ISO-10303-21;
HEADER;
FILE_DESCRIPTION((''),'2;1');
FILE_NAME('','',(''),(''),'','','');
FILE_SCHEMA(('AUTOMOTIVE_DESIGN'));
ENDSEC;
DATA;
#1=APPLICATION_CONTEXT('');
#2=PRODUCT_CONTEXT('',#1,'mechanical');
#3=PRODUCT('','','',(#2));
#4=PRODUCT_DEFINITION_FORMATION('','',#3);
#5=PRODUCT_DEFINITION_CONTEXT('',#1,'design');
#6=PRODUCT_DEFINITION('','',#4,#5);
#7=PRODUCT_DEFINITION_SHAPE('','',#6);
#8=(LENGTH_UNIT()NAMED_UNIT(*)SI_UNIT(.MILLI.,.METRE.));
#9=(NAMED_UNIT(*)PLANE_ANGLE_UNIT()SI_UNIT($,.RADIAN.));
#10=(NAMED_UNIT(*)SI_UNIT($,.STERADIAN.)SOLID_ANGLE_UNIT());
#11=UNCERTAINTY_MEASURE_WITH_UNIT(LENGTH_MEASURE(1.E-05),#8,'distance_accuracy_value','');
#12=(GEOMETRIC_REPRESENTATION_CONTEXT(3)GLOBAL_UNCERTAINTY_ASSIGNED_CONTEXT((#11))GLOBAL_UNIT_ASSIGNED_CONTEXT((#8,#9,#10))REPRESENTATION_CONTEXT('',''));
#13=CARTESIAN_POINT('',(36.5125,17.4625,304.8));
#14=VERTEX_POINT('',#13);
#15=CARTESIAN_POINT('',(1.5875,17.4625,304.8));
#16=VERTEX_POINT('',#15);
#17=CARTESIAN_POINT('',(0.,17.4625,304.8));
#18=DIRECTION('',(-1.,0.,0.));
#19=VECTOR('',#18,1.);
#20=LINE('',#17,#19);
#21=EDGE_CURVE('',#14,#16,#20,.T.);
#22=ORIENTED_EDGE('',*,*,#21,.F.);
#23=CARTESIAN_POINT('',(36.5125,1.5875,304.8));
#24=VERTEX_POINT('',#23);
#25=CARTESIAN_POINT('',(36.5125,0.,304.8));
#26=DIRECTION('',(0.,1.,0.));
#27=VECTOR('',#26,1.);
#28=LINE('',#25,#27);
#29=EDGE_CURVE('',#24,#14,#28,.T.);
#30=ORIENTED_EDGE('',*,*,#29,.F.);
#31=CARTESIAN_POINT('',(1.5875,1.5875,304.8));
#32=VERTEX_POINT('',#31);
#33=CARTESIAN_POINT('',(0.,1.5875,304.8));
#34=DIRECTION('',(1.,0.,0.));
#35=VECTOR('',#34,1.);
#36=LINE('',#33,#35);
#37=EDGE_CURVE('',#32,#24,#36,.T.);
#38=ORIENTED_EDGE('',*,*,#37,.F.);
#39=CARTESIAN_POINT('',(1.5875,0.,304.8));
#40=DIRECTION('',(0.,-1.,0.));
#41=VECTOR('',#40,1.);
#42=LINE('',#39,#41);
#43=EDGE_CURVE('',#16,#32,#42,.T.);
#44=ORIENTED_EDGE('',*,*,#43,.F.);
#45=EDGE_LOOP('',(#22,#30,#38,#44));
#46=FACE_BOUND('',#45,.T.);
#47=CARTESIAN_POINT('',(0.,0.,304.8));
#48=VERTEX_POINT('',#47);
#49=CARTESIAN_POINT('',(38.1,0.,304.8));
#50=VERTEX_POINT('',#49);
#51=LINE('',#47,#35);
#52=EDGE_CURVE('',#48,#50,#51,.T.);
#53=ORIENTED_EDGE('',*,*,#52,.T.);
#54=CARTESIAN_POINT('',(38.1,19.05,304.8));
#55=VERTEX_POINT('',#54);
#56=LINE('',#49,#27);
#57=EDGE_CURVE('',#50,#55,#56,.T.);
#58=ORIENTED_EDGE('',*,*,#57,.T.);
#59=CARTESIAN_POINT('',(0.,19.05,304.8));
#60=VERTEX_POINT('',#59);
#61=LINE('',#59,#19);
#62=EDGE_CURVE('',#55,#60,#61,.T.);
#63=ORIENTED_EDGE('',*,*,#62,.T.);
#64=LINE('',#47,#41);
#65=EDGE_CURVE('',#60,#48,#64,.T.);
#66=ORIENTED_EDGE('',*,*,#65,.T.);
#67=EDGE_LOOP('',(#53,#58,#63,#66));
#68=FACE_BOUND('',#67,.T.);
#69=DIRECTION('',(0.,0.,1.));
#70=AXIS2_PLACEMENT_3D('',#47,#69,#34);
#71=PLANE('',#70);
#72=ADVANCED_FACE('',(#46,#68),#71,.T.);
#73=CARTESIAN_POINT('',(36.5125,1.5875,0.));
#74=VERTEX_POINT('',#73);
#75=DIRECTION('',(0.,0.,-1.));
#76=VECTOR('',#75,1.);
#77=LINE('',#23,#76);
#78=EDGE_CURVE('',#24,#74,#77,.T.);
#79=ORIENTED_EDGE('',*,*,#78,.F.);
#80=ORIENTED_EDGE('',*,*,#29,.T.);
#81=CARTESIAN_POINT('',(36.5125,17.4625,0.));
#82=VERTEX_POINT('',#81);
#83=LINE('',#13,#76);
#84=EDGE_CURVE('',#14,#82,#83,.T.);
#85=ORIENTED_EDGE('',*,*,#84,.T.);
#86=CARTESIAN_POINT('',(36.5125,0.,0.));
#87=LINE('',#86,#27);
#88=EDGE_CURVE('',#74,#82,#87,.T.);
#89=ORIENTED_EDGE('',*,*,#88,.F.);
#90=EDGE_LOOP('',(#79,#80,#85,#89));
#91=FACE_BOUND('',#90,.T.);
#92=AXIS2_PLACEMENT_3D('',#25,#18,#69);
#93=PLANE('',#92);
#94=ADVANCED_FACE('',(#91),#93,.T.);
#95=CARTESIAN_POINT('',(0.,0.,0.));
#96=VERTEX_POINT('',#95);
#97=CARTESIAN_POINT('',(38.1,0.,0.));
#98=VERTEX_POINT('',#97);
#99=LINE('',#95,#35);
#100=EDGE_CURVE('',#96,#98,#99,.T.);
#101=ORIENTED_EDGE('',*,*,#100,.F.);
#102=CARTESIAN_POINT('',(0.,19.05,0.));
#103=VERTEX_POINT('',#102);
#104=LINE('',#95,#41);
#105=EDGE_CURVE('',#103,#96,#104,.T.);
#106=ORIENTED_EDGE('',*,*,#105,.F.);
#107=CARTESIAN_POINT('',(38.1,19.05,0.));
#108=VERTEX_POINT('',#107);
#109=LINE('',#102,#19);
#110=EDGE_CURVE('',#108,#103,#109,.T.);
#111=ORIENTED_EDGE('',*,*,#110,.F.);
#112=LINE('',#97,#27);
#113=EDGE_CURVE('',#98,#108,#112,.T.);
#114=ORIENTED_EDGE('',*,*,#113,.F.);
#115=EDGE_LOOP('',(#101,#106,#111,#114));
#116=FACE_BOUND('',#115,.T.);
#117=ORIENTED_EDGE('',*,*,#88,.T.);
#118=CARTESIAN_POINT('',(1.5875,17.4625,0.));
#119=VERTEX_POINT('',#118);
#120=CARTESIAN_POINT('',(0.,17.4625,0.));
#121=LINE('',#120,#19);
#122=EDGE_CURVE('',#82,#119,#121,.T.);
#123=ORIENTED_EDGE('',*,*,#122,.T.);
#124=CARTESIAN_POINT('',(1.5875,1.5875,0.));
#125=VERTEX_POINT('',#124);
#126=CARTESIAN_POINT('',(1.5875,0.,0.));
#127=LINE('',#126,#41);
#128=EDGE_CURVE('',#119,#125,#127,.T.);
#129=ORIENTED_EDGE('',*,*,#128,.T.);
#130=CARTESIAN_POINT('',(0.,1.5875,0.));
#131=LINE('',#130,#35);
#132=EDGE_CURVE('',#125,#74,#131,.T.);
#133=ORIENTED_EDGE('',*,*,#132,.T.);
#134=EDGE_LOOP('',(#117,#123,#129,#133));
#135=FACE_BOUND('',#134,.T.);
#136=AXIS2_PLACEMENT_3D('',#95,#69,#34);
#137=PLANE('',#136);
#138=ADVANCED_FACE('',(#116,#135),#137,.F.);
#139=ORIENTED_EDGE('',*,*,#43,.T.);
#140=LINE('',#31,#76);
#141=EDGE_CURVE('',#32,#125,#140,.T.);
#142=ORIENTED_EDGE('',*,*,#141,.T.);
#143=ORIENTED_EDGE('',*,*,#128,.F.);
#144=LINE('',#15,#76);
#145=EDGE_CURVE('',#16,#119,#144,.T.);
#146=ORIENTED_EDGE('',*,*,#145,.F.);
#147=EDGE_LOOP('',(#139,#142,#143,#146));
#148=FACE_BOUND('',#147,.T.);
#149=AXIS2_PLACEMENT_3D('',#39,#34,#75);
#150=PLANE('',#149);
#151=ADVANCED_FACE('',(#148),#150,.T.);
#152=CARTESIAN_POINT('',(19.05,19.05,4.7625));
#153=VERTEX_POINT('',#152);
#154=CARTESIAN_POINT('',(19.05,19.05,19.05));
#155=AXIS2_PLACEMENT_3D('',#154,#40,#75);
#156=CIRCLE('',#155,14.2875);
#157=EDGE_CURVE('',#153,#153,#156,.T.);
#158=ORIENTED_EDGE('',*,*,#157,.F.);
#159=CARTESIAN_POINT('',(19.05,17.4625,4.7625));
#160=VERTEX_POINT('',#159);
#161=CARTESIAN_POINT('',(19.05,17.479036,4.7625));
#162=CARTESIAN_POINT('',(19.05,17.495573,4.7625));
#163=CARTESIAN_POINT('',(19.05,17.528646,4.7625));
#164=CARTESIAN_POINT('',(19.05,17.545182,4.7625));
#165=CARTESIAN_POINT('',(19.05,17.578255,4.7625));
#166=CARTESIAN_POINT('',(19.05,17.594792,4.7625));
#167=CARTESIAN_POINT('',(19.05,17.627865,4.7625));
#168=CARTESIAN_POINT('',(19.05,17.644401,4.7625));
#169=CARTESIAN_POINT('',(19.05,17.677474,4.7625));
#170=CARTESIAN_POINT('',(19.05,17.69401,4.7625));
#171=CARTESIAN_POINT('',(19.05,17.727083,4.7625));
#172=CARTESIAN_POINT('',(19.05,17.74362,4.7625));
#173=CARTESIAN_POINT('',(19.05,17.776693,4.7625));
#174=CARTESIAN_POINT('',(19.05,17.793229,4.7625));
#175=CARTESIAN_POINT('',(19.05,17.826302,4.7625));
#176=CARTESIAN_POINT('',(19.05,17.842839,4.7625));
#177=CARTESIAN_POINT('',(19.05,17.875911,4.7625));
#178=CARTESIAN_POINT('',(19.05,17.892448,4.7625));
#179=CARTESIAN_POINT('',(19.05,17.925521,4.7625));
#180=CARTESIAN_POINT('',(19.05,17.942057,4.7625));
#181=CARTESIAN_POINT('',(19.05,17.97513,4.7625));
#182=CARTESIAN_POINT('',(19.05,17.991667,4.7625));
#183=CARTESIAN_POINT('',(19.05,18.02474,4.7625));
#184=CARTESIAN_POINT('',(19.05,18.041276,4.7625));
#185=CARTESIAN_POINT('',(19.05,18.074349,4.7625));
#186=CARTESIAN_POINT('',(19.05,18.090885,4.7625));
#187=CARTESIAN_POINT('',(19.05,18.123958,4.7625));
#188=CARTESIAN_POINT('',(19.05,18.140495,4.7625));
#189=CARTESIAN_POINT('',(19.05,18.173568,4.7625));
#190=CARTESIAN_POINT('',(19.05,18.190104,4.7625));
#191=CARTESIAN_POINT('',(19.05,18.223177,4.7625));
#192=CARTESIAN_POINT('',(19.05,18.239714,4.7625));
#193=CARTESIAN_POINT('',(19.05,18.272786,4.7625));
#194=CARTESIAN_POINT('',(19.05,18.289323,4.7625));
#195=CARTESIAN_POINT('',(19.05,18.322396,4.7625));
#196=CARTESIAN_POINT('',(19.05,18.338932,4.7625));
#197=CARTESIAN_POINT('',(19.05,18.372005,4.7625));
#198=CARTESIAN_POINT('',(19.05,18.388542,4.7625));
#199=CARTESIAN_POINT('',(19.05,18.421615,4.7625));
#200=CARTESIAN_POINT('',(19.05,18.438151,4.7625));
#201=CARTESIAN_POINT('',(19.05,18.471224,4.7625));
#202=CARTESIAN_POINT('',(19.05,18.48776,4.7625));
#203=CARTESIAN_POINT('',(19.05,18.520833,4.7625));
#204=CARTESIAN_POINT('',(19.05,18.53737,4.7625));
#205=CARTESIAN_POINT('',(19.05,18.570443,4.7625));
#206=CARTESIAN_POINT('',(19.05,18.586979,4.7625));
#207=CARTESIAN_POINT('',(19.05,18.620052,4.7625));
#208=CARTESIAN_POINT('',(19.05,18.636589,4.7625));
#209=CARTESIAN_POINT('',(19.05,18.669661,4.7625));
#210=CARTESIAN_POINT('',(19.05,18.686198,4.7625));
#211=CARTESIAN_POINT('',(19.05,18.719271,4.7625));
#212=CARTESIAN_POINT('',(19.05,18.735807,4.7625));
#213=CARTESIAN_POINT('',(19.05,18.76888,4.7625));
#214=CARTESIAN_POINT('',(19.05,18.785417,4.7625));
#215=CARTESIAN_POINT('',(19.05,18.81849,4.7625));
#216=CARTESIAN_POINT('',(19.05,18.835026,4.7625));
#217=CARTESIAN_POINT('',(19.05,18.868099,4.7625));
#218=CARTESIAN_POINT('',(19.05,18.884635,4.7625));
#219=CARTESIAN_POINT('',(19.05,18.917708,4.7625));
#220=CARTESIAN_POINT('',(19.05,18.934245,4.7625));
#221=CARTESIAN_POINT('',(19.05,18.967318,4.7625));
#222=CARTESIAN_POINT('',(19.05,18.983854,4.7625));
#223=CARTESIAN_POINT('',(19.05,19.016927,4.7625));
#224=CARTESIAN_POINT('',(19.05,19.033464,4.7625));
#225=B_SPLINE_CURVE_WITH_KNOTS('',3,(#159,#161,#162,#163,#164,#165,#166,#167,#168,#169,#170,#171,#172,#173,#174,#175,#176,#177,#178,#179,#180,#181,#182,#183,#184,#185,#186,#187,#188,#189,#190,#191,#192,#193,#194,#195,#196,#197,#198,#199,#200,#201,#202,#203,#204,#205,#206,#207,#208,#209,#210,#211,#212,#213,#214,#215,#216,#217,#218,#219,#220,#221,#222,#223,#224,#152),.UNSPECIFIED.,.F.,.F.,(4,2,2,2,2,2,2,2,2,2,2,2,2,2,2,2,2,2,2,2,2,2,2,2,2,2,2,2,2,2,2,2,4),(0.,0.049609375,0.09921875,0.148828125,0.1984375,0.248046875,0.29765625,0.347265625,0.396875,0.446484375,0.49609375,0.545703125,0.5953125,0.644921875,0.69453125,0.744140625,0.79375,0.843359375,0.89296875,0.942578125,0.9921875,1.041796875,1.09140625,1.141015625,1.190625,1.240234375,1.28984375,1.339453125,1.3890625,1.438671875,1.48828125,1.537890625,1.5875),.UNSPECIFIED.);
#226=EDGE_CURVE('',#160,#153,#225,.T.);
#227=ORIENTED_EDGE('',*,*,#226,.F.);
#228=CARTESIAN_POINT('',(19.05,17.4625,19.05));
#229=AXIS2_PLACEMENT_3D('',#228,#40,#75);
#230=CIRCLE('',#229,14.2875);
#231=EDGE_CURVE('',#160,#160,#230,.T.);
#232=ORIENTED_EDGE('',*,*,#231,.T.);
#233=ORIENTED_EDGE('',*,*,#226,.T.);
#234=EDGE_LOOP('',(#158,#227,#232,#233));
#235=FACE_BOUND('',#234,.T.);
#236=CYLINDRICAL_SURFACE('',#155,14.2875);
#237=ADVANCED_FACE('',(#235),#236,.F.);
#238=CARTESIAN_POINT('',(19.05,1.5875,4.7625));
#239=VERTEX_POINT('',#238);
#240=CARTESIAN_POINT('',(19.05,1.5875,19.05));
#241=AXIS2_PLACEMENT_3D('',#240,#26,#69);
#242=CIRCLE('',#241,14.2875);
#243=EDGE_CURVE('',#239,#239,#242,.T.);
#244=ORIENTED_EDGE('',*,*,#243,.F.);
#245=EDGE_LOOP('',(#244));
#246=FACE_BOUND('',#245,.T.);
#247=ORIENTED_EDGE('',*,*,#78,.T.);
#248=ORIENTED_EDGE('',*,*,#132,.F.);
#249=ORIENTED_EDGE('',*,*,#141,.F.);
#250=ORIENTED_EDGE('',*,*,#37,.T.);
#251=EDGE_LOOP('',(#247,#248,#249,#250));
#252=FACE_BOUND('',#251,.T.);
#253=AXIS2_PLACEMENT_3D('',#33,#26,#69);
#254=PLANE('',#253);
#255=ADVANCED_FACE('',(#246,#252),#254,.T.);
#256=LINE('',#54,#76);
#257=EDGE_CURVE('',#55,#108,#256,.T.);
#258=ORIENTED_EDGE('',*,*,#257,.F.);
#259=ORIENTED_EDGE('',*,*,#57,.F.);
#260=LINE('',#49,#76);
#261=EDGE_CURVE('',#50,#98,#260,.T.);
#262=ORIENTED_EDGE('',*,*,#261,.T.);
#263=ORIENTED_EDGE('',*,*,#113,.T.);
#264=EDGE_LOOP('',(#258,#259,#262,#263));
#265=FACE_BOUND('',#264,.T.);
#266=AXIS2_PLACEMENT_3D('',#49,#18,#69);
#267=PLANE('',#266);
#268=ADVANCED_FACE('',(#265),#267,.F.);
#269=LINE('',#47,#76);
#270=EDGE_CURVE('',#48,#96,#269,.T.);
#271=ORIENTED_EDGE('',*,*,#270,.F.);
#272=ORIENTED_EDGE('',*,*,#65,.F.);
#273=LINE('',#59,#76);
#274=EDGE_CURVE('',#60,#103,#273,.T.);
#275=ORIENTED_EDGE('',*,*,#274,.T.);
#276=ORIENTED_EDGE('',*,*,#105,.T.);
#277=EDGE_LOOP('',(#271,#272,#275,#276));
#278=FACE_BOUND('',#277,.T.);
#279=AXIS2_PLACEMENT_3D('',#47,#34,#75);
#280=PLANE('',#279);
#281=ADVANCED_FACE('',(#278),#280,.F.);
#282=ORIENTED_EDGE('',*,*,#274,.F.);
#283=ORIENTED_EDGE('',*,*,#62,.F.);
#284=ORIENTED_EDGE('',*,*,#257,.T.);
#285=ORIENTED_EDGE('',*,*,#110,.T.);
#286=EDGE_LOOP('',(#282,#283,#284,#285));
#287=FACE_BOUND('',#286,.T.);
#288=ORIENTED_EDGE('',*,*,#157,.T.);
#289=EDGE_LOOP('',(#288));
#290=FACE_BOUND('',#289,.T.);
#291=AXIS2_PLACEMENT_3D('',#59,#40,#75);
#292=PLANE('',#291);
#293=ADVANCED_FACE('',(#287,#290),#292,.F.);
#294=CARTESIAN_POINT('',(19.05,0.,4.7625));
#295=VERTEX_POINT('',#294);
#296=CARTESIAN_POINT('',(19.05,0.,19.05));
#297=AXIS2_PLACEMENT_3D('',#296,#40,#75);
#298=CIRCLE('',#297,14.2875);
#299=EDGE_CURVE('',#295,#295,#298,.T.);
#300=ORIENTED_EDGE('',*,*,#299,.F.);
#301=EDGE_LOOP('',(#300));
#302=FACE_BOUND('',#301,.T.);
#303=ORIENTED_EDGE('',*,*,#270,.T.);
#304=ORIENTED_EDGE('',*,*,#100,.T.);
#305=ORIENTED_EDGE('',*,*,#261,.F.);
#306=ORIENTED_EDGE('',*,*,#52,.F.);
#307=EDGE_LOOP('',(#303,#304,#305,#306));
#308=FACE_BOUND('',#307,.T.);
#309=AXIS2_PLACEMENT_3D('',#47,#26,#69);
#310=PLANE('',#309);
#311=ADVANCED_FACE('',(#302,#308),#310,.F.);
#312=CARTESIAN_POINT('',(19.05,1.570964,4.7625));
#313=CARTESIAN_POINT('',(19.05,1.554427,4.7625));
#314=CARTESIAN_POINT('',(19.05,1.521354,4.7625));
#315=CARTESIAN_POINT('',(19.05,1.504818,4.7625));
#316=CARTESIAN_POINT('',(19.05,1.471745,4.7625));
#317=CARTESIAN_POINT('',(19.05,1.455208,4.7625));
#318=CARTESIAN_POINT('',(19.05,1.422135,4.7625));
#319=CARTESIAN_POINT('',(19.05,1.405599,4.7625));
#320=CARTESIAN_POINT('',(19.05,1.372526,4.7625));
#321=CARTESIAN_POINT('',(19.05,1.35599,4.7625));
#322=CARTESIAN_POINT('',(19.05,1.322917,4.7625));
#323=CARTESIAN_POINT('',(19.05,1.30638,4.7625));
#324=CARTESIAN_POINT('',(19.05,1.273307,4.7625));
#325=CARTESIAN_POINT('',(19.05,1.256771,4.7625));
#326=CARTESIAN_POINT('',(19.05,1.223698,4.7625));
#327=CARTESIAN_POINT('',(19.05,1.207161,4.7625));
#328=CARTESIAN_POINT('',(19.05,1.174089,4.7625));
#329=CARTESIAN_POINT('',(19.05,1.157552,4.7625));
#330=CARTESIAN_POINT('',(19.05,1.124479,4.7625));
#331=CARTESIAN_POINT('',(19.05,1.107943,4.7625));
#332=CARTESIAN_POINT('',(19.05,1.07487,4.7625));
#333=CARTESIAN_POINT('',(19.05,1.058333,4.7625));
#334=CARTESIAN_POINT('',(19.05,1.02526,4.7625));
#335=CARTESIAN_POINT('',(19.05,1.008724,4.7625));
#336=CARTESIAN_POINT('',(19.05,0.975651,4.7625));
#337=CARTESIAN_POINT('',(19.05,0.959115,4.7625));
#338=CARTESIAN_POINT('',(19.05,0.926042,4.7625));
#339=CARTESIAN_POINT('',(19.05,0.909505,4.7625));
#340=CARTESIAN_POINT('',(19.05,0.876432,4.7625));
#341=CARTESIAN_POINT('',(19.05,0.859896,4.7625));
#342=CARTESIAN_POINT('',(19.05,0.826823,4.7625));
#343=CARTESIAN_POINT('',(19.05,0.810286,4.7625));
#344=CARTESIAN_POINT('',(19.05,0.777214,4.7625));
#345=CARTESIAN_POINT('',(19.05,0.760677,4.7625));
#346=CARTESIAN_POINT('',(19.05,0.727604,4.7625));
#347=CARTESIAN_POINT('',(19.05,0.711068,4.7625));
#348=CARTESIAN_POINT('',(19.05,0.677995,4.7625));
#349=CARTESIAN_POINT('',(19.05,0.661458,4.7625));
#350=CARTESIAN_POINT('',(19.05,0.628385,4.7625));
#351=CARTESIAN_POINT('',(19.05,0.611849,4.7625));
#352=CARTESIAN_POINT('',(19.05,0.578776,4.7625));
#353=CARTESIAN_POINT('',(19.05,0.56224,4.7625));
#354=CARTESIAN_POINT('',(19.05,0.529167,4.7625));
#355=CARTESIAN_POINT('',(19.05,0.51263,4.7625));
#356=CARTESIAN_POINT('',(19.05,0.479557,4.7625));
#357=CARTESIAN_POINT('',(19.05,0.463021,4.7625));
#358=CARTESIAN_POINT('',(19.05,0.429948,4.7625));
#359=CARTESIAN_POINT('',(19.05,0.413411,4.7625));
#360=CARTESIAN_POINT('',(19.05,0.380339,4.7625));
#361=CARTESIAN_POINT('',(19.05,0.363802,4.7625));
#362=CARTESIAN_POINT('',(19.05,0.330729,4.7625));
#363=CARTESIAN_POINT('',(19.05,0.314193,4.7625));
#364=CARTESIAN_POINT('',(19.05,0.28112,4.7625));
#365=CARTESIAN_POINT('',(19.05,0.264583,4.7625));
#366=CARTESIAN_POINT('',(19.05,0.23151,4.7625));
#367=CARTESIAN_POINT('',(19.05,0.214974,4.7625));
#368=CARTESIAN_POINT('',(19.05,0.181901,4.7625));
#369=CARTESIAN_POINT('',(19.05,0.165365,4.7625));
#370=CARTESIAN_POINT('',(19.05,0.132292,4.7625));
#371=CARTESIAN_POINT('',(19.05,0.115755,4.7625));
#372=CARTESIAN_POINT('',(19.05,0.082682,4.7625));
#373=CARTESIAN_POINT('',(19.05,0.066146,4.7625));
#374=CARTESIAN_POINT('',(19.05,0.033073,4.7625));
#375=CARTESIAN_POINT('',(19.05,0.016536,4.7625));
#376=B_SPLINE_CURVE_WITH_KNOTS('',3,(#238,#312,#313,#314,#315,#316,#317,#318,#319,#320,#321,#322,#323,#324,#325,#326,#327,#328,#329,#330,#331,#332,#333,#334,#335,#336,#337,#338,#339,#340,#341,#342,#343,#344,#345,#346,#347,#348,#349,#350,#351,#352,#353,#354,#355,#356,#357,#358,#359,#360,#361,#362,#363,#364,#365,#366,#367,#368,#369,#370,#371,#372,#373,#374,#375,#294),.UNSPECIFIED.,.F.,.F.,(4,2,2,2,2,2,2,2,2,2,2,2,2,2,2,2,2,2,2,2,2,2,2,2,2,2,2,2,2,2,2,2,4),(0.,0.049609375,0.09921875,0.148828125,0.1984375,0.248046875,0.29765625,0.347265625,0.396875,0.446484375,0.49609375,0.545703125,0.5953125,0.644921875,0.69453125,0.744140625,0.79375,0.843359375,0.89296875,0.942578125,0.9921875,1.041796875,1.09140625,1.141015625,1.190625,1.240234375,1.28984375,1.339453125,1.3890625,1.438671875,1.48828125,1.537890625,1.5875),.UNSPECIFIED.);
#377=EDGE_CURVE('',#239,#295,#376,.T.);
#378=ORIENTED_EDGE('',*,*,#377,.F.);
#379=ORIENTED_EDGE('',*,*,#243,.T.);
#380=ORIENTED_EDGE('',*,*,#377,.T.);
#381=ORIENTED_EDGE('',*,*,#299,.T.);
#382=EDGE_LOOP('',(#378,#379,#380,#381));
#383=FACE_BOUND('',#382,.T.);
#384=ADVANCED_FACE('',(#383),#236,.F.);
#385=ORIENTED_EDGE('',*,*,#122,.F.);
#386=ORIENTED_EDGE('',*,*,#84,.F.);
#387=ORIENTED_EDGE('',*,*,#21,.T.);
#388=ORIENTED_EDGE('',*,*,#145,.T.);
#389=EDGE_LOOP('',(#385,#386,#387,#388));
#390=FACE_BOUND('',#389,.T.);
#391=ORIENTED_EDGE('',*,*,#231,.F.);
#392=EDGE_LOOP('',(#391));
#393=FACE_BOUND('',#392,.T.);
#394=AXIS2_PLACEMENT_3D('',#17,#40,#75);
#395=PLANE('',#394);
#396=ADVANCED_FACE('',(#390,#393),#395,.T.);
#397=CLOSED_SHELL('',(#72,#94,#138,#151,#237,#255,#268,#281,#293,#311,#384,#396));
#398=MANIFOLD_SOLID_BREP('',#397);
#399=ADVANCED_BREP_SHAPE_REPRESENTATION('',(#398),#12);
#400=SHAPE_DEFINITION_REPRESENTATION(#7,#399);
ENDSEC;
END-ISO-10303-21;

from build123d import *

# Parameters (mm, degrees)
SKETCH1_W           = 38.1
SKETCH1_H           = 19.05
SKETCH1_W_2         = 34.925
SKETCH1_H_2         = 15.875
EXTRUDE_THIN1_DEPTH = 304.8
SKETCH3_R           = 14.2875
CUT_EXTRUDE2_DEPTH  = 308.762168728


with BuildPart() as part:
    # Sketch1 → Extrude-Thin1 (new body)
    with BuildSketch(Plane.XY):
        with Locations((19.05, 9.525)):
            Rectangle(SKETCH1_W, SKETCH1_H)
        with Locations((19.05, 9.525)):
            Rectangle(SKETCH1_W_2, SKETCH1_H_2, mode=Mode.SUBTRACT)
    extrude(amount=EXTRUDE_THIN1_DEPTH)

    # Sketch3 → Cut-Extrude2 (cut, through all)
    with BuildSketch(Plane.XZ):
        with Locations(Location((19.05, 19.05, 0), (0, 0, 270))):
            Circle(SKETCH3_R)
    extrude(amount=-CUT_EXTRUDE2_DEPTH, mode=Mode.SUBTRACT)


solid = part.part
